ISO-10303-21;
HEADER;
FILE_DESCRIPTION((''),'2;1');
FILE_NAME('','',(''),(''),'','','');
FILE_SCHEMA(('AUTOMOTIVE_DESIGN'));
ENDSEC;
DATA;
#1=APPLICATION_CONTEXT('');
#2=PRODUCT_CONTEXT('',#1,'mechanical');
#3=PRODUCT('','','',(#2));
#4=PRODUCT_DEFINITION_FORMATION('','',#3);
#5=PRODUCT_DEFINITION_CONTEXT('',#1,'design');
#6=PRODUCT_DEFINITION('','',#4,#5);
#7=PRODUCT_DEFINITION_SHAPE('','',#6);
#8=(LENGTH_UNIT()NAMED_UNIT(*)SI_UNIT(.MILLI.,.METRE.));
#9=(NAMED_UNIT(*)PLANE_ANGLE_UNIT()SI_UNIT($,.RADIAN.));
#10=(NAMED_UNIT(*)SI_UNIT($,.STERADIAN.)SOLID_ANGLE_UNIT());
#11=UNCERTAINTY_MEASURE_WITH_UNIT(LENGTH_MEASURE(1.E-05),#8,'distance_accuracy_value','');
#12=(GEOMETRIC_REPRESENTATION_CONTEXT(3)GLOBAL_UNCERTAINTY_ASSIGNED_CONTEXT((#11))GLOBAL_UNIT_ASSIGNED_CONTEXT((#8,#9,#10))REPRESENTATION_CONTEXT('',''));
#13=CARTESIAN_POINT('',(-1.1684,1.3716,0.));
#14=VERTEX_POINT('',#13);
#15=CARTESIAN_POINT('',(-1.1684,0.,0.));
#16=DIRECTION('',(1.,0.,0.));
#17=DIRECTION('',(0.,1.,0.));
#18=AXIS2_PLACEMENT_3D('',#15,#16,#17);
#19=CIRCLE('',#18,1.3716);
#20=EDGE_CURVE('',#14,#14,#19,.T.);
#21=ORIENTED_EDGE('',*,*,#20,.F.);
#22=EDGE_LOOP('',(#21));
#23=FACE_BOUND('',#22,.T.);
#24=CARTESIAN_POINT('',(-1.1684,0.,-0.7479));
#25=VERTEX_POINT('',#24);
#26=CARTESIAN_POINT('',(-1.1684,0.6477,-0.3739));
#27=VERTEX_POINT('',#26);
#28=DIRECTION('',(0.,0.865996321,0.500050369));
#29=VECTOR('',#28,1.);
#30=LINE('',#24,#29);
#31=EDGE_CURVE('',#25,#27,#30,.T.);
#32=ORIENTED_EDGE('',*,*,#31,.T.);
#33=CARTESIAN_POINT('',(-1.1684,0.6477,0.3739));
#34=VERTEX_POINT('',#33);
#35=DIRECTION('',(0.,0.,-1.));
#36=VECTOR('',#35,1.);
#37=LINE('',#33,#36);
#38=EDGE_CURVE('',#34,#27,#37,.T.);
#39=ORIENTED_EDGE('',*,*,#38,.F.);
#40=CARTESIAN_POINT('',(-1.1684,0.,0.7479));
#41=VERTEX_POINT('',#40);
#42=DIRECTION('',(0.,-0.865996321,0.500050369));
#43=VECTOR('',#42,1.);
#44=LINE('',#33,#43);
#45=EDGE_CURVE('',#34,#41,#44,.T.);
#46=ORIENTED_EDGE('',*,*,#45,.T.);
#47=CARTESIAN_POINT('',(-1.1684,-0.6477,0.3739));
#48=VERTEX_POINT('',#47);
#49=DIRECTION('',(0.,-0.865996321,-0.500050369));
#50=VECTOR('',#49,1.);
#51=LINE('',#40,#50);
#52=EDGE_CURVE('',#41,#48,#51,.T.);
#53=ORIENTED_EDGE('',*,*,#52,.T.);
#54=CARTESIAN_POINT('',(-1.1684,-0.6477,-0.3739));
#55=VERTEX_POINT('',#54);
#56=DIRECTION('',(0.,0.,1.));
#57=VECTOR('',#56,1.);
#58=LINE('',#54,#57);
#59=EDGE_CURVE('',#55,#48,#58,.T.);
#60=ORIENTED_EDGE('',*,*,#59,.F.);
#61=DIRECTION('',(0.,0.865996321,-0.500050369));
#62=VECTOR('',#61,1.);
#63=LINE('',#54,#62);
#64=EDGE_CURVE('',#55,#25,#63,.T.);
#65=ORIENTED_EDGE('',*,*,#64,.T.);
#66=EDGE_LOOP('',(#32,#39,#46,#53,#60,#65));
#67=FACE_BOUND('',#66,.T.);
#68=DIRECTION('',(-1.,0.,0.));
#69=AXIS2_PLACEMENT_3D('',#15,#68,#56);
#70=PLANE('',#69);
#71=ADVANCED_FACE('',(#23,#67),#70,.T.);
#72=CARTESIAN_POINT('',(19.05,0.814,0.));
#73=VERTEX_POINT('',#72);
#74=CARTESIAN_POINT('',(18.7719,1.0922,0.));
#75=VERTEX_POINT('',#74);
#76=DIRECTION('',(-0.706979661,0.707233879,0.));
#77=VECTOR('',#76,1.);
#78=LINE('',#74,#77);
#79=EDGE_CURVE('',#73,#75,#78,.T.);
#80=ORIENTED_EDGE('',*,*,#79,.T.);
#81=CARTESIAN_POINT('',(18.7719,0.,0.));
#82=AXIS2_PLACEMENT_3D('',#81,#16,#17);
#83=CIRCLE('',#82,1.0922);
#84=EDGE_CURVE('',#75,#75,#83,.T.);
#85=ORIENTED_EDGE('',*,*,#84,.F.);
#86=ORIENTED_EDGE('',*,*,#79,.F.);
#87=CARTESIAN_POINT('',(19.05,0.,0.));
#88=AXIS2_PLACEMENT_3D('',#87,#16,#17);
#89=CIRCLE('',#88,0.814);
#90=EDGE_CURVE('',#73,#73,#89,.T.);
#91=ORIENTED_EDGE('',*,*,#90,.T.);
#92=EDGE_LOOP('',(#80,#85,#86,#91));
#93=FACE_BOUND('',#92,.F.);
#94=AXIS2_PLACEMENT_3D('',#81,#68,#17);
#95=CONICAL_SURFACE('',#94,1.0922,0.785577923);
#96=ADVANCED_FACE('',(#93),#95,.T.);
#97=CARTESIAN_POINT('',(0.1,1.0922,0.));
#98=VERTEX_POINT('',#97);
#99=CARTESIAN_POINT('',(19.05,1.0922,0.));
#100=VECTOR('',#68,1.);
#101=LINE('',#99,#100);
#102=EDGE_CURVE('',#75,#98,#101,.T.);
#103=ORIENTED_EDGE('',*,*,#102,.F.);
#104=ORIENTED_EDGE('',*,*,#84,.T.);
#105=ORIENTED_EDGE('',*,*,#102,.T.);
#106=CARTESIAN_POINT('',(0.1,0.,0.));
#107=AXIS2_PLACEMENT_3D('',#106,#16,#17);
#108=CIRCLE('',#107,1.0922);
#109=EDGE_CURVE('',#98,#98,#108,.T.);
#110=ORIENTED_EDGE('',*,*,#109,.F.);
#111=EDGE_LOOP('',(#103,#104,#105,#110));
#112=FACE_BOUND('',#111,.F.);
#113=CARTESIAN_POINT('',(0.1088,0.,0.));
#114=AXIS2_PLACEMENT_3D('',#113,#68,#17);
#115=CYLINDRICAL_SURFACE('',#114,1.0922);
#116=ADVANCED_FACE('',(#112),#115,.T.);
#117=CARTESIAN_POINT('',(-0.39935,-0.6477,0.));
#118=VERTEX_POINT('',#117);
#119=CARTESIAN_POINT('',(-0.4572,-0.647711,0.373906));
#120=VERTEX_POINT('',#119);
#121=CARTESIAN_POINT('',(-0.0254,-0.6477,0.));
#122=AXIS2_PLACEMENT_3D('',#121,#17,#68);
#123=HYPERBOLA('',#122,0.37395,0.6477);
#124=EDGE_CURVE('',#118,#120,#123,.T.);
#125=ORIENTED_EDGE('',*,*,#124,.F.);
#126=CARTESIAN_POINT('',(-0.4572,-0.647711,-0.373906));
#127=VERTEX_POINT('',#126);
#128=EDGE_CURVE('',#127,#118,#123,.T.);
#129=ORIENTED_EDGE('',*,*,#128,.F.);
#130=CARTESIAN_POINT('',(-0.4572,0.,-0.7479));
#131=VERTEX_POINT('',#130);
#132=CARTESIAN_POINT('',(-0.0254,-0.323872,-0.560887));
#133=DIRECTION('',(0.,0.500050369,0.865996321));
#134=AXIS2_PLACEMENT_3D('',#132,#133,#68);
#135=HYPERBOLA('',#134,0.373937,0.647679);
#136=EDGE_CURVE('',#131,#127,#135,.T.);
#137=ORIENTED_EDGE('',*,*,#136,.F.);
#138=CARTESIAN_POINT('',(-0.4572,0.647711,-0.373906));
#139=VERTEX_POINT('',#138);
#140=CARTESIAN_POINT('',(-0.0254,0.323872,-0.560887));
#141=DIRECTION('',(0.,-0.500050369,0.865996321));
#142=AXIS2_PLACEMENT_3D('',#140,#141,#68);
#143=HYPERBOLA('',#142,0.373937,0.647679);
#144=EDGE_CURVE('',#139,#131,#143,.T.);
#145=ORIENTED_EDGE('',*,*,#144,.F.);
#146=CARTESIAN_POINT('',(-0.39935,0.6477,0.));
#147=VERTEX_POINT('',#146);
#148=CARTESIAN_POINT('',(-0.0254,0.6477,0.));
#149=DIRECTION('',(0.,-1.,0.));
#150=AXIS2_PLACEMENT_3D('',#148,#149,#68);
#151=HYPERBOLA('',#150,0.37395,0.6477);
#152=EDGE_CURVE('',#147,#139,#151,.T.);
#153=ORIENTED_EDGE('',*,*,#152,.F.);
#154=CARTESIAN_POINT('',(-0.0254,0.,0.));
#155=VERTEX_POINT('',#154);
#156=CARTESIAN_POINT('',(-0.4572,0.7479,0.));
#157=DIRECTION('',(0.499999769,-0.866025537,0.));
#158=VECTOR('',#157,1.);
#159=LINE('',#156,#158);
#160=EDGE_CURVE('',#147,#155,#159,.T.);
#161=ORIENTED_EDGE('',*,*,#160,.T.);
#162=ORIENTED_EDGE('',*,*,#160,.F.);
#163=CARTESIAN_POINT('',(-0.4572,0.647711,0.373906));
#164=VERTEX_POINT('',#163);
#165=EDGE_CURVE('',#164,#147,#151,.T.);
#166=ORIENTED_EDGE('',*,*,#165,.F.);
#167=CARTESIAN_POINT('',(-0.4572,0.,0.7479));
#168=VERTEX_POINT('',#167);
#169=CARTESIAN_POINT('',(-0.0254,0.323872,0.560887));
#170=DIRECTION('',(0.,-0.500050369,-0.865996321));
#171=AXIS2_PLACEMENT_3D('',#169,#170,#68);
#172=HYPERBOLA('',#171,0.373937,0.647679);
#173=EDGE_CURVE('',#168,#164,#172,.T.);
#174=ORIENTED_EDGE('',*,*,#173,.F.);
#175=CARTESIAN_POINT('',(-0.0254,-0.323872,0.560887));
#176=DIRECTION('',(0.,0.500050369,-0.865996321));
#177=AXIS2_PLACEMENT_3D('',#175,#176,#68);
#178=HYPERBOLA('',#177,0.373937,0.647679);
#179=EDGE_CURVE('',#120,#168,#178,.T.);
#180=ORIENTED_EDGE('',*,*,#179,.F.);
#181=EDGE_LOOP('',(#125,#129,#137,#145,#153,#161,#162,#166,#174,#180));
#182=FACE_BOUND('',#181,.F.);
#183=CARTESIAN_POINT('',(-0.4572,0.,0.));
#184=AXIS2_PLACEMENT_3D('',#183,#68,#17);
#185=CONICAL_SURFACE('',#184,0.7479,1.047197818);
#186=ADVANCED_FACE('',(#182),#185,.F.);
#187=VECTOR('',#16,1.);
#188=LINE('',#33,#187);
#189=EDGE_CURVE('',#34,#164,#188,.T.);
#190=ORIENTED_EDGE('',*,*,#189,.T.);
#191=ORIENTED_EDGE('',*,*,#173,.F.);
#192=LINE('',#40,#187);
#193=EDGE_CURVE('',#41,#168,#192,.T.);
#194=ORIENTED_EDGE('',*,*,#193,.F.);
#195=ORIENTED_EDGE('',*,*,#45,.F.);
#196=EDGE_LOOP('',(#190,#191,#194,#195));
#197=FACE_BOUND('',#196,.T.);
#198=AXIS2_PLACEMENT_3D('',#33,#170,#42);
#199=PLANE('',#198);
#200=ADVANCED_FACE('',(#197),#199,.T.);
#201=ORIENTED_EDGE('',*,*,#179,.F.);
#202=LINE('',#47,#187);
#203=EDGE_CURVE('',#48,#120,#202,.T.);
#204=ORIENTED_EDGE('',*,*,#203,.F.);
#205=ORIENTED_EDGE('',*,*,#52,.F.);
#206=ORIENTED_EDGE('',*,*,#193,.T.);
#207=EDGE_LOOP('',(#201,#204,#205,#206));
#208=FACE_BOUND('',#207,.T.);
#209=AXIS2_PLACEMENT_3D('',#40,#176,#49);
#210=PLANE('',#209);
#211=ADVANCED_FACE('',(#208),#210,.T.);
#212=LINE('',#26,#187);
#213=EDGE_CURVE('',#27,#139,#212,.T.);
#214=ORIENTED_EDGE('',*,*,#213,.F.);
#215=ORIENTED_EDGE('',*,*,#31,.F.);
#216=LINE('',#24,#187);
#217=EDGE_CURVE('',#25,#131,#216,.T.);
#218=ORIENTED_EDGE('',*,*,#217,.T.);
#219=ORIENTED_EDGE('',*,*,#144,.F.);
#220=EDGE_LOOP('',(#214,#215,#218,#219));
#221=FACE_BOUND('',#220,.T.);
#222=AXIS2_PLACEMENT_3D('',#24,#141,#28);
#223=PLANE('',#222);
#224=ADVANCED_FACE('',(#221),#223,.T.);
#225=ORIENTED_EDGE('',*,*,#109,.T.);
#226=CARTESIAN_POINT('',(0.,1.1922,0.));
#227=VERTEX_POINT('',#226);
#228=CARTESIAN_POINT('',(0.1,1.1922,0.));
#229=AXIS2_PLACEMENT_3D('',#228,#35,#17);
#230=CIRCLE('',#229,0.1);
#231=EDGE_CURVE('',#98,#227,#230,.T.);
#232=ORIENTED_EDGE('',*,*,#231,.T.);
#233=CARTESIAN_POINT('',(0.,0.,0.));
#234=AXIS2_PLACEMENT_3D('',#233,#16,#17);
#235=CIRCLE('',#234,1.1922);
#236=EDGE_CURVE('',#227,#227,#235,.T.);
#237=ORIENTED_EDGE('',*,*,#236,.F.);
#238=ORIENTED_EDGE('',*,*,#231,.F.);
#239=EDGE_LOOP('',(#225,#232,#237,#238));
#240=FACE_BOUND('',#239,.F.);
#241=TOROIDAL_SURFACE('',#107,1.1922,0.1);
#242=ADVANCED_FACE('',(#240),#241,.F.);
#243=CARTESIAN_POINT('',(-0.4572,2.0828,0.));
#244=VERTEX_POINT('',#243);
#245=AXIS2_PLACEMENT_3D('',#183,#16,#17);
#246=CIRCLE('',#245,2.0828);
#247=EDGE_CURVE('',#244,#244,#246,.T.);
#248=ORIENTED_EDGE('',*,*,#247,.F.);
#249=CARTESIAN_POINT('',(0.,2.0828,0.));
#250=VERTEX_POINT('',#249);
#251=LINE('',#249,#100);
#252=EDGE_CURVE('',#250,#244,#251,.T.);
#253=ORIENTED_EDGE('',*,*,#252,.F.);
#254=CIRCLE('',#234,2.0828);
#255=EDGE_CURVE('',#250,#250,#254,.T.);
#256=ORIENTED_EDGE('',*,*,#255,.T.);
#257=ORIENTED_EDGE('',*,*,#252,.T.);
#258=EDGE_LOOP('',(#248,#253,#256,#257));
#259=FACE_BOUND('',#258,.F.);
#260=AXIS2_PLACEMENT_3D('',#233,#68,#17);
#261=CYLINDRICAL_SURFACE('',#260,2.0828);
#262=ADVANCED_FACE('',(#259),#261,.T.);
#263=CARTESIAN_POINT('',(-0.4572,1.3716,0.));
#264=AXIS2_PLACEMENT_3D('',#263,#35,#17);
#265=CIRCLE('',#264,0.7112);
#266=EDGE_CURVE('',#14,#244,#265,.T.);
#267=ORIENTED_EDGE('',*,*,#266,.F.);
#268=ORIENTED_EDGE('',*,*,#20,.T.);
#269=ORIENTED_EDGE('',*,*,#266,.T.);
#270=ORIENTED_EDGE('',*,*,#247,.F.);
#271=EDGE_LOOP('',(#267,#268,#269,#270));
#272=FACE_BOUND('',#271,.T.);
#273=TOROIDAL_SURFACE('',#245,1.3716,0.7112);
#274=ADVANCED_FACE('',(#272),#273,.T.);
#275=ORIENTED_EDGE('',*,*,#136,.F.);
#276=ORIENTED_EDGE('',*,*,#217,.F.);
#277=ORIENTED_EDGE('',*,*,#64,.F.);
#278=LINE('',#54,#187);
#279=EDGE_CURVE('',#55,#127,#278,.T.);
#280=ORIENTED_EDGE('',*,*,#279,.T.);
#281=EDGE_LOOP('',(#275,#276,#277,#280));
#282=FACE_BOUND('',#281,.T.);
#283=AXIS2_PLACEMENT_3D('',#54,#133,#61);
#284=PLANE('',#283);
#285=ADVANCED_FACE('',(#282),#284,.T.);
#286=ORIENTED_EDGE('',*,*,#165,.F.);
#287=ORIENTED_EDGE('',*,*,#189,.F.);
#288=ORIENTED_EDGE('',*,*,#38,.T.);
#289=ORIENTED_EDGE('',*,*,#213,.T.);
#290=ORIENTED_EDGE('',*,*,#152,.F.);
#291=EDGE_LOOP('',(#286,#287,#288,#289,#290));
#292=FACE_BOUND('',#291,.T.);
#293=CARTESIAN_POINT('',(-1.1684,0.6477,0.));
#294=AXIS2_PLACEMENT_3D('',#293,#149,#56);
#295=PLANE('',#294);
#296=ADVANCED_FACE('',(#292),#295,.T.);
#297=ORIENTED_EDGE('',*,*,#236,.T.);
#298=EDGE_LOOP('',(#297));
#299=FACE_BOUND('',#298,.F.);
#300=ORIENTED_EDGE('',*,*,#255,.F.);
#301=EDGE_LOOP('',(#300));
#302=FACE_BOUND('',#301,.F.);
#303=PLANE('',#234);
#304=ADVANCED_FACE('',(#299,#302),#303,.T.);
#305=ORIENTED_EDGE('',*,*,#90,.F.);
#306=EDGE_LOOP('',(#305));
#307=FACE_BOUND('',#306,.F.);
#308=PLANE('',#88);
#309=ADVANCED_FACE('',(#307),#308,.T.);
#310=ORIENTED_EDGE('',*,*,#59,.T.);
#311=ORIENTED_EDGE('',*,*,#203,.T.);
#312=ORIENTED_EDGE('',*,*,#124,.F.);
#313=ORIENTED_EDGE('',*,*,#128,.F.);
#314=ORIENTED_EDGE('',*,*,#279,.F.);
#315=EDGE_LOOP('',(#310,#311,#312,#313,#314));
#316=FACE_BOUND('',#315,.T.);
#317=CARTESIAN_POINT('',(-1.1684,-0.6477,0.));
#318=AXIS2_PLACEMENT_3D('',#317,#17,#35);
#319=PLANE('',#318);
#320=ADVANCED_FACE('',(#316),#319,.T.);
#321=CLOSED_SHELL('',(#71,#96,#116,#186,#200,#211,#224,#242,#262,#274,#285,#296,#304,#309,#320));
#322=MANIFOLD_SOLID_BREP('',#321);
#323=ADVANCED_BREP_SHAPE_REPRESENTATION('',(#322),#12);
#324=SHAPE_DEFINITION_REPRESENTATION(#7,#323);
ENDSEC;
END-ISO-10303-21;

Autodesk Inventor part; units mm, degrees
ref_plane "YZ Plane" through (0, 0, 0) normal (1, 0, 0) x (0, 1, 0)
ref_plane "XZ Plane" through (0, 0, 0) normal (0, 1, 0) x (-1, 0, 0)
sketch "Sketch1" plane through (0, 0, 0) normal (0, 0, 1) x (1, 0, 0)
  line L0 (-0.0254, 0) -> (19.05, 0)
  line L1 (19.05, 0) -> (19.05, 1.0922)
  line L2 (19.05, 1.0922) -> (1.016, 1.0922)
  line L3 (1.016, 1.0922) -> (0.1088, 1.0922)
  line L4 (0.1088, 1.0922) -> (0, 1.0922)
  line L5 (0, 1.0922) -> (0, 2.0828)
  line L6 (0, 2.0828) -> (-1.1684, 2.0828)
  line L7 (-1.1684, 2.0828) -> (-1.1684, 0.7479)
  line L8 (-1.1684, 0.7479) -> (-0.4572, 0.7479)
  line L9 (-0.4572, 0.7479) -> (-0.0254, 0)
  line L10 (-5.2121, 0) -> (23.0937, 0) projected
  line L11 (0, -0.4166) -> (0, 2.4994) projected
  line L12 (1.016, 1.0922) -> (0, 1.0922) construction
  dimension "d1" = 18.034
  dimension "d2" = 0.9072
  dimension "d3" = 1.1684
  dimension "d4" = 0.7112
  dimension "d5" = 60
  dimension "d6" = 2.1844
  dimension "d7" = 2.1844
  dimension "d8" = 1.4958
  dimension "d9" = 4.1656
  dimension "d26" = 19.05
revolve "Body" add sketch "Sketch1" angle 360 about axis through (-0.0254, 0, 0) along (1, 0, 0)
sketch "Sketch2" plane through (-1.1684, 0, 0) normal (-1, 0, 0) x (0, 0, 1)
  circle A0 centre (0, 0) radius 0.7479 projected
  line L0 (0, -2.9159) -> (0, 2.9159) projected
  line L1 (-2.9159, 0) -> (2.9159, 0) projected
  line L2 (0.7479, 0) -> (0.3739, -0.6477)
  line L3 (0.3739, -0.6477) -> (-0.3739, -0.6477)
  line L4 (-0.3739, -0.6477) -> (-0.7479, 0)
  line L5 (-0.7479, 0) -> (-0.3739, 0.6477)
  line L6 (-0.3739, 0.6477) -> (0.3739, 0.6477)
  line L7 (0.3739, 0.6477) -> (0.7479, 0)
  point P0 (0, 0)
extrude "Slot" add sketch "Sketch2" against normal up to next contours L7 A0 | A0 L2 | L6 L0 A0 | A0 L0 L3 | L0 L6 A0 | A0 L3 L0 | L4 A0 | A0 L5
fillet "Fillet1" radius 0.7112 1 edges at (-1.1684, -2.0828, 0)
thread "Thread" size "2-56 UNC" class "2A" standard "ANSI Unified Screw Threads" length 18.034
chamfer "Chamfer1" distance 0.2782 distance2 0.2781 1 edges at (19.05, -1.0922, 0) measured on face at (19.05, 0.3142, -0.0722)
ref_plane "Work Plane1" through (29, 0, 0) normal (0, -1, 0) x (1, 0, 0)
fillet "Fillet2" radius 0.1 1 edges at (0, -1.0922, 0)
equation "\"d1\" = GEL"
equation "\"d3\" = KOH"
equation "\"d4\" = INTI"
equation "\"d6\" = GD"
equation "\"d7\" = BDM"
equation "\"d8\" = 1.1547 * SW"
equation "\"d9\" = KOD"
equation "\"d26\" = NLG"
equation "\"d30\" = R"
equation "\"d17\" = RR"
equation "\"d13\" = GEL"
equation "\"d15\" = -0.5 * SPD + 0.5 * GD"
equation "\"d16\" = GUL"
equation "\"GD\" = NND"
equation "\"NLG\" = 19.05"
equation "\"GEL\" = 18.034"
equation "\"KOD\" = 4.1656"
equation "\"KOH\" = 1.1684"
equation "\"INTI\" = 0.7112"
equation "\"GAL\" = 0.90714"
equation "\"GUL\" = 0.27813"
equation "\"BDM\" = NND"
equation "\"SW\" = 1.2954"
equation "\"RR\" = 0.7112"
equation "\"SPD\" = GD1"
equation "\"R\" = 0.1"
equation "\"KR\" = 2.5146"
equation "\"GD1\" = 1.62793"
equation "\"THREADDIA\" = 2.1844"
equation "\"FAWI\" = 45deg"
equation "\"KOH1\" = 0.7112"
equation "\"NND\" = 2.1844"
equation "\"TOA\" = 30deg"
equation "\"E0\" = 1.155 * SW"
properties part number "Unbrako - 2 x 3/4" material "Steel, Mild"
